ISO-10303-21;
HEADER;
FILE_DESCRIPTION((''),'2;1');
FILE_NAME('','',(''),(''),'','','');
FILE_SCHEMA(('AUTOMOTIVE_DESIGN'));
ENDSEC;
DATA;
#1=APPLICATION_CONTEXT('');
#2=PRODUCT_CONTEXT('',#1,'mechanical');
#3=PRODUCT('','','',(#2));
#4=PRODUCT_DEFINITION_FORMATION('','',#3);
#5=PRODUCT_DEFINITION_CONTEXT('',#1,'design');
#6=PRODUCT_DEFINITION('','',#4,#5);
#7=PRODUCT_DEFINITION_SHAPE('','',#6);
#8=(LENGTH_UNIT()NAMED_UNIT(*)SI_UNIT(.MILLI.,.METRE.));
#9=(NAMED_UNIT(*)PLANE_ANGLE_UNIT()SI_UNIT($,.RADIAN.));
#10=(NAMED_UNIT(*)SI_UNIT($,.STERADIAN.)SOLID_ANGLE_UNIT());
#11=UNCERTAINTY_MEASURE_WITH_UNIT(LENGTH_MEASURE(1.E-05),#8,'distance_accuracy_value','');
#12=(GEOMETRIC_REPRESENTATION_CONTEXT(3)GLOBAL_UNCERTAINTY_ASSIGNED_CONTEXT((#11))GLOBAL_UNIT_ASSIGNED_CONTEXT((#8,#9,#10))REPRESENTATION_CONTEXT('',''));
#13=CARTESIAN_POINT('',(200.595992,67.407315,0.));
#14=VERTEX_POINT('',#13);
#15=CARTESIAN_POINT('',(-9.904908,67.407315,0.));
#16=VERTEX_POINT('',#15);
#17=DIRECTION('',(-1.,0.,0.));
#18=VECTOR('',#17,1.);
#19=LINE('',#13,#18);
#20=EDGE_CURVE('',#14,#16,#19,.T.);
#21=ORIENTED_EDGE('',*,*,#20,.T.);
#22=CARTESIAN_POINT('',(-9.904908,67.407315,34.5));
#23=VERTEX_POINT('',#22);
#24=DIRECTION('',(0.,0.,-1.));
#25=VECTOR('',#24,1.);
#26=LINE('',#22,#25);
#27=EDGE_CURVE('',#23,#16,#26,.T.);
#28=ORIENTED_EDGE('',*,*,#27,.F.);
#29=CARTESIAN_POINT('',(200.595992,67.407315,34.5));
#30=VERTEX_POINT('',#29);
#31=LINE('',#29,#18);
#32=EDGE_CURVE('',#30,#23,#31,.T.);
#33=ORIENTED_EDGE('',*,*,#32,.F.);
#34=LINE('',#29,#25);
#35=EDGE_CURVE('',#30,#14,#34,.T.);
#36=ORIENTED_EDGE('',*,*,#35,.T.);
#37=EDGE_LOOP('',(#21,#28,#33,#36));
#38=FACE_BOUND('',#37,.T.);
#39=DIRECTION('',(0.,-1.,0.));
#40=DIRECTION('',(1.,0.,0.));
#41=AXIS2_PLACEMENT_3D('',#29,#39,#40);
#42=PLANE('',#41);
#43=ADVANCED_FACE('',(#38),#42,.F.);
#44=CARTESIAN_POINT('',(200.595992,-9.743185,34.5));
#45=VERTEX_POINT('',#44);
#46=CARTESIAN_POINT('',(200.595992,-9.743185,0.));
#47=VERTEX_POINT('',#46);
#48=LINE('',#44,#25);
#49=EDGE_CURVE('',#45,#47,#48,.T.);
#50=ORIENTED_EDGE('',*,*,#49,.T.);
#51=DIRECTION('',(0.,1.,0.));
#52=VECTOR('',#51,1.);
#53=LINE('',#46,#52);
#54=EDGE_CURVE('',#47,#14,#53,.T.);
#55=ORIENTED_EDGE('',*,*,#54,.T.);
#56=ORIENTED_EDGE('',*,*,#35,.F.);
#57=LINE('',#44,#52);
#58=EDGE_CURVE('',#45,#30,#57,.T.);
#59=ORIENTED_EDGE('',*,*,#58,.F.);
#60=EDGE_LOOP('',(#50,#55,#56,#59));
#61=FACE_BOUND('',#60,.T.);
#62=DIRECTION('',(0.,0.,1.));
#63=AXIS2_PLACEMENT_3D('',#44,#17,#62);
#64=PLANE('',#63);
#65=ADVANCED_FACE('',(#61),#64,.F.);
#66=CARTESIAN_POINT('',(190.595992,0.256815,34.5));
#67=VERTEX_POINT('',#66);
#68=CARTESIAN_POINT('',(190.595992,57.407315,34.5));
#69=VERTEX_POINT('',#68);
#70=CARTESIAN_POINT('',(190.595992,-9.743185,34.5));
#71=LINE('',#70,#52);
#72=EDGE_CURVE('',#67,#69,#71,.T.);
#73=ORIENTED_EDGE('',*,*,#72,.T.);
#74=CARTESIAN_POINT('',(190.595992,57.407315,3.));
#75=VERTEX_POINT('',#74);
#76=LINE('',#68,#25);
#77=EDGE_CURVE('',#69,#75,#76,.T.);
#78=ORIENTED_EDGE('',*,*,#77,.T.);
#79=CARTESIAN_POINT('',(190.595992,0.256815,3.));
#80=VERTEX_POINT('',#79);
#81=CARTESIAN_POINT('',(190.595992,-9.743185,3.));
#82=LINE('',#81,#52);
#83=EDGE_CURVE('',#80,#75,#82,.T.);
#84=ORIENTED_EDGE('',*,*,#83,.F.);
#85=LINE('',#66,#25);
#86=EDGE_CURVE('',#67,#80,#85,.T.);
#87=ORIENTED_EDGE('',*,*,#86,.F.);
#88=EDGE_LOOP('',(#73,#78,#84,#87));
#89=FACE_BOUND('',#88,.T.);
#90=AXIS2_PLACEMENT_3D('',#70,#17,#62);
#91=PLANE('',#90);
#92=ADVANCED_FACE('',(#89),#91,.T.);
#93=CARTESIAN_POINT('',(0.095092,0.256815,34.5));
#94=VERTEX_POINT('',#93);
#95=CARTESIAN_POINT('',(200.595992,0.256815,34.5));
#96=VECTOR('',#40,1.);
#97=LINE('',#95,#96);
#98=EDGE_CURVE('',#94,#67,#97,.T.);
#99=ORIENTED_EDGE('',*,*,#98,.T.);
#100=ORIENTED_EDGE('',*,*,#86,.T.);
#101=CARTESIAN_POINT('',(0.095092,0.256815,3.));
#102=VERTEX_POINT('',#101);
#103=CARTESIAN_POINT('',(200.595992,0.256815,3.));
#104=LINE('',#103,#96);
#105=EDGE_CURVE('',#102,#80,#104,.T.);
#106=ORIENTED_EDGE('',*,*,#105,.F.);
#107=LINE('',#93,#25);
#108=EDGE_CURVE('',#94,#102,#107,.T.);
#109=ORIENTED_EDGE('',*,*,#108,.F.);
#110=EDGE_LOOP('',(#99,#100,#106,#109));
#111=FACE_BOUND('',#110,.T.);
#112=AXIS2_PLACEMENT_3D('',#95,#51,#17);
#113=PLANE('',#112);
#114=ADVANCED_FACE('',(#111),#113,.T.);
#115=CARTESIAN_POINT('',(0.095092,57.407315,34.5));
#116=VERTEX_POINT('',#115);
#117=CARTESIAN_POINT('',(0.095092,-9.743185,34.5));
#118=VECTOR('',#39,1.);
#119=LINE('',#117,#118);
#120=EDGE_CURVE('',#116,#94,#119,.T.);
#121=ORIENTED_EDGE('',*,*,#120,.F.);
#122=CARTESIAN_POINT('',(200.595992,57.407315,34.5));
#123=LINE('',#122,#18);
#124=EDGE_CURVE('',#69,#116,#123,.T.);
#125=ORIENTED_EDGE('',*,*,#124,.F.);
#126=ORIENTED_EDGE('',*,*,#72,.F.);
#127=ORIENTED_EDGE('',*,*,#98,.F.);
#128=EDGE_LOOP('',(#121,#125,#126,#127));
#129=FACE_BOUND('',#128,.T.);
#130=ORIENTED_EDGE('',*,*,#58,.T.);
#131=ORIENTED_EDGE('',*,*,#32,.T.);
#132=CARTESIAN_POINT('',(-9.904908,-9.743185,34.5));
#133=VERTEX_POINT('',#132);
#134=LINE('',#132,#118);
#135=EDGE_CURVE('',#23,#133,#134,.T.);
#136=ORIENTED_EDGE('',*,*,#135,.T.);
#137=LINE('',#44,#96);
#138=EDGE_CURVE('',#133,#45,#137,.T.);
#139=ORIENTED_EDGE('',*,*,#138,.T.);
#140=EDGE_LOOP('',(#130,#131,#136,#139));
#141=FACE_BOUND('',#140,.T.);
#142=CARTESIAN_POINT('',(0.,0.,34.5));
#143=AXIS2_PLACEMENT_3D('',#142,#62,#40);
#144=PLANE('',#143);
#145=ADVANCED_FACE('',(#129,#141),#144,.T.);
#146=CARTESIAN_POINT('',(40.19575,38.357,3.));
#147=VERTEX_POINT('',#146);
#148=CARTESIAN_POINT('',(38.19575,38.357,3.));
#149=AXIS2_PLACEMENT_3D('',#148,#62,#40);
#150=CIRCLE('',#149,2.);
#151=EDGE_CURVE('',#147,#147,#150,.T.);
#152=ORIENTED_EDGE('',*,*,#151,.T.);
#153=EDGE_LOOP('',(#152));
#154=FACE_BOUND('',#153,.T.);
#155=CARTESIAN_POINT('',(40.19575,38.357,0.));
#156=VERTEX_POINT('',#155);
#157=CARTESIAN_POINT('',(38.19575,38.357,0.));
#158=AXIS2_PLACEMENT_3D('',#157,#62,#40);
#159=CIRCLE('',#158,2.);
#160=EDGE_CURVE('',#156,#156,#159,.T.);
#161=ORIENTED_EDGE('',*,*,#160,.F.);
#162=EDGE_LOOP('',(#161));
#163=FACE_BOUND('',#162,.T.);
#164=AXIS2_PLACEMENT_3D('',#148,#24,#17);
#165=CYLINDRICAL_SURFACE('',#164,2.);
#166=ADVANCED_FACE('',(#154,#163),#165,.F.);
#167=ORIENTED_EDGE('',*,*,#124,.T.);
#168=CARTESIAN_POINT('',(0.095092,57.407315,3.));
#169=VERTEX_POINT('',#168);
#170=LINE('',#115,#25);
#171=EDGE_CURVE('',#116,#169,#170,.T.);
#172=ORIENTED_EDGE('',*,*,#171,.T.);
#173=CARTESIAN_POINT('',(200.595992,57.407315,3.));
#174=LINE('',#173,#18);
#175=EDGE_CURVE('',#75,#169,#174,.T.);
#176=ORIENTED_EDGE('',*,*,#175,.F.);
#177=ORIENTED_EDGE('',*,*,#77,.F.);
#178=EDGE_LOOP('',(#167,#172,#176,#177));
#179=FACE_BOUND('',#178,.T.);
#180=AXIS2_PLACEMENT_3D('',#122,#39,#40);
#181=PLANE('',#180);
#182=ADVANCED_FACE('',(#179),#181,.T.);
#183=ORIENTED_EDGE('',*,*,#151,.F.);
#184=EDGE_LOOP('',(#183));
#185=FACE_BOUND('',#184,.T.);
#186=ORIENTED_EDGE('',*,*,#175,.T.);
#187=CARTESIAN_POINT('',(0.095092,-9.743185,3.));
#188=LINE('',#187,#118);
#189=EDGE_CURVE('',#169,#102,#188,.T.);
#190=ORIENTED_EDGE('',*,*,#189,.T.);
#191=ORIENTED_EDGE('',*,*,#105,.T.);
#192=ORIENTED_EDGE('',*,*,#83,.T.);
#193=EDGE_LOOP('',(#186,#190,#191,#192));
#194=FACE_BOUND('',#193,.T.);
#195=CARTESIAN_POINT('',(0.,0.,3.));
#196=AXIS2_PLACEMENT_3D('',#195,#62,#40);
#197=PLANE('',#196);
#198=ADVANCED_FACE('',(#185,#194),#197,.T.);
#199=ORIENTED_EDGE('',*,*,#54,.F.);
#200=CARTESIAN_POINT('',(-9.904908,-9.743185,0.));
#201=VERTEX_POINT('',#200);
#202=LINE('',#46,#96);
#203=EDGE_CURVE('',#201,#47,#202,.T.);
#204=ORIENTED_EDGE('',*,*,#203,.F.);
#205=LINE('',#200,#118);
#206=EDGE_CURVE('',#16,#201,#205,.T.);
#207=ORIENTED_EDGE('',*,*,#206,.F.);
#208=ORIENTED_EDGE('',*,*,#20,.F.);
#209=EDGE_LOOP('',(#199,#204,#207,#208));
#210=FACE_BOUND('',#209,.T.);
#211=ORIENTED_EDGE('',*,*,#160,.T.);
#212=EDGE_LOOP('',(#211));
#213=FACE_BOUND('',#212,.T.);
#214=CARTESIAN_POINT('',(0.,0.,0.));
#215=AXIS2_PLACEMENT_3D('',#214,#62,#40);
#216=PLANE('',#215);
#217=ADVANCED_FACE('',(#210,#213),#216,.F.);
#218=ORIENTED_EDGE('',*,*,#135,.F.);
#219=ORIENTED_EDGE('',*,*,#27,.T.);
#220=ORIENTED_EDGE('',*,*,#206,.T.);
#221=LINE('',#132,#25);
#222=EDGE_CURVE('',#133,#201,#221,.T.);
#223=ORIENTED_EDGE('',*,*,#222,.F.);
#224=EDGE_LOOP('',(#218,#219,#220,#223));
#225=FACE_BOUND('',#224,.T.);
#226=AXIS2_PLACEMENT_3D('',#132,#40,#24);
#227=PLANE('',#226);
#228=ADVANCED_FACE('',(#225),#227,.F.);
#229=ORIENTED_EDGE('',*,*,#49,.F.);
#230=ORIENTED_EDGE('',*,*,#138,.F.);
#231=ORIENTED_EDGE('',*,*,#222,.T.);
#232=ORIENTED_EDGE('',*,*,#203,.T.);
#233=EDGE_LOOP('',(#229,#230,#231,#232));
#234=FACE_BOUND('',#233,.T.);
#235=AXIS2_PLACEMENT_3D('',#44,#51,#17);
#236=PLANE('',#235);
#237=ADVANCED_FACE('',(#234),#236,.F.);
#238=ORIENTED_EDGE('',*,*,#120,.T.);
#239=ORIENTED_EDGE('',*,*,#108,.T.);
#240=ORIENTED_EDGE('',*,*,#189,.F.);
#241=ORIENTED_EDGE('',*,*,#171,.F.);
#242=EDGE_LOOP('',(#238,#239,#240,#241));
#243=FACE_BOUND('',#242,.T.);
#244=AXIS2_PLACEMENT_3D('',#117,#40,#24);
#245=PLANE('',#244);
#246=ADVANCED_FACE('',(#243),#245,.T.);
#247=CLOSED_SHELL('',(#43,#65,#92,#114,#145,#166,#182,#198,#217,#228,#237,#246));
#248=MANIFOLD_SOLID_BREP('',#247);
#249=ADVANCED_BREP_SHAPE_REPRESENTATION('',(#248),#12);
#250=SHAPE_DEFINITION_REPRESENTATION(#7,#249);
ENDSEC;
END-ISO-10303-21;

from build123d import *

# Parameters (mm, degrees)
SKETCH_2_W                 = 210.5009
SKETCH_2_H                 = 77.1505
EXTRUDE_1_DEPTH            = 34.5
SHELL_1_T                  = -10
SHELL_1_THICKNESS_2_FACE_W = 190.5009
SHELL_1_THICKNESS_2_FACE_H = 57.1505
SHELL_1_THICKNESS_2_DEPTH  = 7
SKETCH_3_R                 = 2
CUT_EXTRUDE_8_DEPTH        = 3


with BuildPart() as part:
    # 草图2 → 凸台-拉伸1 (new body)
    with BuildSketch(Plane.XY):
        with Locations((95.3455423, 28.832065)):
            Rectangle(SKETCH_2_W, SKETCH_2_H)
    extrude(amount=EXTRUDE_1_DEPTH)

    # 抽壳1
    shell_1_openings = [part.faces().sort_by_distance(p)[0] for p in [
        (95.3455423, 28.832065, 34.5),
    ]]
    offset(amount=SHELL_1_T, openings=shell_1_openings, kind=Kind.INTERSECTION)

    # 抽壳1 thickness 2 face (on inner face of the shell) → 抽壳1 thickness 2 (cut)
    with BuildSketch(Plane(origin=(95.3455423, 28.832065, 10), x_dir=(-1, 0, 0), z_dir=(0, 0, -1))):
        Rectangle(SHELL_1_THICKNESS_2_FACE_W, SHELL_1_THICKNESS_2_FACE_H)
    extrude(amount=SHELL_1_THICKNESS_2_DEPTH, mode=Mode.SUBTRACT)

    # 草图3 → 切除-拉伸8 (cut)
    with BuildSketch(Plane.XY):
        with Locations((38.19575, 38.357)):
            Circle(SKETCH_3_R)
    extrude(amount=CUT_EXTRUDE_8_DEPTH, mode=Mode.SUBTRACT)


solid = part.part
